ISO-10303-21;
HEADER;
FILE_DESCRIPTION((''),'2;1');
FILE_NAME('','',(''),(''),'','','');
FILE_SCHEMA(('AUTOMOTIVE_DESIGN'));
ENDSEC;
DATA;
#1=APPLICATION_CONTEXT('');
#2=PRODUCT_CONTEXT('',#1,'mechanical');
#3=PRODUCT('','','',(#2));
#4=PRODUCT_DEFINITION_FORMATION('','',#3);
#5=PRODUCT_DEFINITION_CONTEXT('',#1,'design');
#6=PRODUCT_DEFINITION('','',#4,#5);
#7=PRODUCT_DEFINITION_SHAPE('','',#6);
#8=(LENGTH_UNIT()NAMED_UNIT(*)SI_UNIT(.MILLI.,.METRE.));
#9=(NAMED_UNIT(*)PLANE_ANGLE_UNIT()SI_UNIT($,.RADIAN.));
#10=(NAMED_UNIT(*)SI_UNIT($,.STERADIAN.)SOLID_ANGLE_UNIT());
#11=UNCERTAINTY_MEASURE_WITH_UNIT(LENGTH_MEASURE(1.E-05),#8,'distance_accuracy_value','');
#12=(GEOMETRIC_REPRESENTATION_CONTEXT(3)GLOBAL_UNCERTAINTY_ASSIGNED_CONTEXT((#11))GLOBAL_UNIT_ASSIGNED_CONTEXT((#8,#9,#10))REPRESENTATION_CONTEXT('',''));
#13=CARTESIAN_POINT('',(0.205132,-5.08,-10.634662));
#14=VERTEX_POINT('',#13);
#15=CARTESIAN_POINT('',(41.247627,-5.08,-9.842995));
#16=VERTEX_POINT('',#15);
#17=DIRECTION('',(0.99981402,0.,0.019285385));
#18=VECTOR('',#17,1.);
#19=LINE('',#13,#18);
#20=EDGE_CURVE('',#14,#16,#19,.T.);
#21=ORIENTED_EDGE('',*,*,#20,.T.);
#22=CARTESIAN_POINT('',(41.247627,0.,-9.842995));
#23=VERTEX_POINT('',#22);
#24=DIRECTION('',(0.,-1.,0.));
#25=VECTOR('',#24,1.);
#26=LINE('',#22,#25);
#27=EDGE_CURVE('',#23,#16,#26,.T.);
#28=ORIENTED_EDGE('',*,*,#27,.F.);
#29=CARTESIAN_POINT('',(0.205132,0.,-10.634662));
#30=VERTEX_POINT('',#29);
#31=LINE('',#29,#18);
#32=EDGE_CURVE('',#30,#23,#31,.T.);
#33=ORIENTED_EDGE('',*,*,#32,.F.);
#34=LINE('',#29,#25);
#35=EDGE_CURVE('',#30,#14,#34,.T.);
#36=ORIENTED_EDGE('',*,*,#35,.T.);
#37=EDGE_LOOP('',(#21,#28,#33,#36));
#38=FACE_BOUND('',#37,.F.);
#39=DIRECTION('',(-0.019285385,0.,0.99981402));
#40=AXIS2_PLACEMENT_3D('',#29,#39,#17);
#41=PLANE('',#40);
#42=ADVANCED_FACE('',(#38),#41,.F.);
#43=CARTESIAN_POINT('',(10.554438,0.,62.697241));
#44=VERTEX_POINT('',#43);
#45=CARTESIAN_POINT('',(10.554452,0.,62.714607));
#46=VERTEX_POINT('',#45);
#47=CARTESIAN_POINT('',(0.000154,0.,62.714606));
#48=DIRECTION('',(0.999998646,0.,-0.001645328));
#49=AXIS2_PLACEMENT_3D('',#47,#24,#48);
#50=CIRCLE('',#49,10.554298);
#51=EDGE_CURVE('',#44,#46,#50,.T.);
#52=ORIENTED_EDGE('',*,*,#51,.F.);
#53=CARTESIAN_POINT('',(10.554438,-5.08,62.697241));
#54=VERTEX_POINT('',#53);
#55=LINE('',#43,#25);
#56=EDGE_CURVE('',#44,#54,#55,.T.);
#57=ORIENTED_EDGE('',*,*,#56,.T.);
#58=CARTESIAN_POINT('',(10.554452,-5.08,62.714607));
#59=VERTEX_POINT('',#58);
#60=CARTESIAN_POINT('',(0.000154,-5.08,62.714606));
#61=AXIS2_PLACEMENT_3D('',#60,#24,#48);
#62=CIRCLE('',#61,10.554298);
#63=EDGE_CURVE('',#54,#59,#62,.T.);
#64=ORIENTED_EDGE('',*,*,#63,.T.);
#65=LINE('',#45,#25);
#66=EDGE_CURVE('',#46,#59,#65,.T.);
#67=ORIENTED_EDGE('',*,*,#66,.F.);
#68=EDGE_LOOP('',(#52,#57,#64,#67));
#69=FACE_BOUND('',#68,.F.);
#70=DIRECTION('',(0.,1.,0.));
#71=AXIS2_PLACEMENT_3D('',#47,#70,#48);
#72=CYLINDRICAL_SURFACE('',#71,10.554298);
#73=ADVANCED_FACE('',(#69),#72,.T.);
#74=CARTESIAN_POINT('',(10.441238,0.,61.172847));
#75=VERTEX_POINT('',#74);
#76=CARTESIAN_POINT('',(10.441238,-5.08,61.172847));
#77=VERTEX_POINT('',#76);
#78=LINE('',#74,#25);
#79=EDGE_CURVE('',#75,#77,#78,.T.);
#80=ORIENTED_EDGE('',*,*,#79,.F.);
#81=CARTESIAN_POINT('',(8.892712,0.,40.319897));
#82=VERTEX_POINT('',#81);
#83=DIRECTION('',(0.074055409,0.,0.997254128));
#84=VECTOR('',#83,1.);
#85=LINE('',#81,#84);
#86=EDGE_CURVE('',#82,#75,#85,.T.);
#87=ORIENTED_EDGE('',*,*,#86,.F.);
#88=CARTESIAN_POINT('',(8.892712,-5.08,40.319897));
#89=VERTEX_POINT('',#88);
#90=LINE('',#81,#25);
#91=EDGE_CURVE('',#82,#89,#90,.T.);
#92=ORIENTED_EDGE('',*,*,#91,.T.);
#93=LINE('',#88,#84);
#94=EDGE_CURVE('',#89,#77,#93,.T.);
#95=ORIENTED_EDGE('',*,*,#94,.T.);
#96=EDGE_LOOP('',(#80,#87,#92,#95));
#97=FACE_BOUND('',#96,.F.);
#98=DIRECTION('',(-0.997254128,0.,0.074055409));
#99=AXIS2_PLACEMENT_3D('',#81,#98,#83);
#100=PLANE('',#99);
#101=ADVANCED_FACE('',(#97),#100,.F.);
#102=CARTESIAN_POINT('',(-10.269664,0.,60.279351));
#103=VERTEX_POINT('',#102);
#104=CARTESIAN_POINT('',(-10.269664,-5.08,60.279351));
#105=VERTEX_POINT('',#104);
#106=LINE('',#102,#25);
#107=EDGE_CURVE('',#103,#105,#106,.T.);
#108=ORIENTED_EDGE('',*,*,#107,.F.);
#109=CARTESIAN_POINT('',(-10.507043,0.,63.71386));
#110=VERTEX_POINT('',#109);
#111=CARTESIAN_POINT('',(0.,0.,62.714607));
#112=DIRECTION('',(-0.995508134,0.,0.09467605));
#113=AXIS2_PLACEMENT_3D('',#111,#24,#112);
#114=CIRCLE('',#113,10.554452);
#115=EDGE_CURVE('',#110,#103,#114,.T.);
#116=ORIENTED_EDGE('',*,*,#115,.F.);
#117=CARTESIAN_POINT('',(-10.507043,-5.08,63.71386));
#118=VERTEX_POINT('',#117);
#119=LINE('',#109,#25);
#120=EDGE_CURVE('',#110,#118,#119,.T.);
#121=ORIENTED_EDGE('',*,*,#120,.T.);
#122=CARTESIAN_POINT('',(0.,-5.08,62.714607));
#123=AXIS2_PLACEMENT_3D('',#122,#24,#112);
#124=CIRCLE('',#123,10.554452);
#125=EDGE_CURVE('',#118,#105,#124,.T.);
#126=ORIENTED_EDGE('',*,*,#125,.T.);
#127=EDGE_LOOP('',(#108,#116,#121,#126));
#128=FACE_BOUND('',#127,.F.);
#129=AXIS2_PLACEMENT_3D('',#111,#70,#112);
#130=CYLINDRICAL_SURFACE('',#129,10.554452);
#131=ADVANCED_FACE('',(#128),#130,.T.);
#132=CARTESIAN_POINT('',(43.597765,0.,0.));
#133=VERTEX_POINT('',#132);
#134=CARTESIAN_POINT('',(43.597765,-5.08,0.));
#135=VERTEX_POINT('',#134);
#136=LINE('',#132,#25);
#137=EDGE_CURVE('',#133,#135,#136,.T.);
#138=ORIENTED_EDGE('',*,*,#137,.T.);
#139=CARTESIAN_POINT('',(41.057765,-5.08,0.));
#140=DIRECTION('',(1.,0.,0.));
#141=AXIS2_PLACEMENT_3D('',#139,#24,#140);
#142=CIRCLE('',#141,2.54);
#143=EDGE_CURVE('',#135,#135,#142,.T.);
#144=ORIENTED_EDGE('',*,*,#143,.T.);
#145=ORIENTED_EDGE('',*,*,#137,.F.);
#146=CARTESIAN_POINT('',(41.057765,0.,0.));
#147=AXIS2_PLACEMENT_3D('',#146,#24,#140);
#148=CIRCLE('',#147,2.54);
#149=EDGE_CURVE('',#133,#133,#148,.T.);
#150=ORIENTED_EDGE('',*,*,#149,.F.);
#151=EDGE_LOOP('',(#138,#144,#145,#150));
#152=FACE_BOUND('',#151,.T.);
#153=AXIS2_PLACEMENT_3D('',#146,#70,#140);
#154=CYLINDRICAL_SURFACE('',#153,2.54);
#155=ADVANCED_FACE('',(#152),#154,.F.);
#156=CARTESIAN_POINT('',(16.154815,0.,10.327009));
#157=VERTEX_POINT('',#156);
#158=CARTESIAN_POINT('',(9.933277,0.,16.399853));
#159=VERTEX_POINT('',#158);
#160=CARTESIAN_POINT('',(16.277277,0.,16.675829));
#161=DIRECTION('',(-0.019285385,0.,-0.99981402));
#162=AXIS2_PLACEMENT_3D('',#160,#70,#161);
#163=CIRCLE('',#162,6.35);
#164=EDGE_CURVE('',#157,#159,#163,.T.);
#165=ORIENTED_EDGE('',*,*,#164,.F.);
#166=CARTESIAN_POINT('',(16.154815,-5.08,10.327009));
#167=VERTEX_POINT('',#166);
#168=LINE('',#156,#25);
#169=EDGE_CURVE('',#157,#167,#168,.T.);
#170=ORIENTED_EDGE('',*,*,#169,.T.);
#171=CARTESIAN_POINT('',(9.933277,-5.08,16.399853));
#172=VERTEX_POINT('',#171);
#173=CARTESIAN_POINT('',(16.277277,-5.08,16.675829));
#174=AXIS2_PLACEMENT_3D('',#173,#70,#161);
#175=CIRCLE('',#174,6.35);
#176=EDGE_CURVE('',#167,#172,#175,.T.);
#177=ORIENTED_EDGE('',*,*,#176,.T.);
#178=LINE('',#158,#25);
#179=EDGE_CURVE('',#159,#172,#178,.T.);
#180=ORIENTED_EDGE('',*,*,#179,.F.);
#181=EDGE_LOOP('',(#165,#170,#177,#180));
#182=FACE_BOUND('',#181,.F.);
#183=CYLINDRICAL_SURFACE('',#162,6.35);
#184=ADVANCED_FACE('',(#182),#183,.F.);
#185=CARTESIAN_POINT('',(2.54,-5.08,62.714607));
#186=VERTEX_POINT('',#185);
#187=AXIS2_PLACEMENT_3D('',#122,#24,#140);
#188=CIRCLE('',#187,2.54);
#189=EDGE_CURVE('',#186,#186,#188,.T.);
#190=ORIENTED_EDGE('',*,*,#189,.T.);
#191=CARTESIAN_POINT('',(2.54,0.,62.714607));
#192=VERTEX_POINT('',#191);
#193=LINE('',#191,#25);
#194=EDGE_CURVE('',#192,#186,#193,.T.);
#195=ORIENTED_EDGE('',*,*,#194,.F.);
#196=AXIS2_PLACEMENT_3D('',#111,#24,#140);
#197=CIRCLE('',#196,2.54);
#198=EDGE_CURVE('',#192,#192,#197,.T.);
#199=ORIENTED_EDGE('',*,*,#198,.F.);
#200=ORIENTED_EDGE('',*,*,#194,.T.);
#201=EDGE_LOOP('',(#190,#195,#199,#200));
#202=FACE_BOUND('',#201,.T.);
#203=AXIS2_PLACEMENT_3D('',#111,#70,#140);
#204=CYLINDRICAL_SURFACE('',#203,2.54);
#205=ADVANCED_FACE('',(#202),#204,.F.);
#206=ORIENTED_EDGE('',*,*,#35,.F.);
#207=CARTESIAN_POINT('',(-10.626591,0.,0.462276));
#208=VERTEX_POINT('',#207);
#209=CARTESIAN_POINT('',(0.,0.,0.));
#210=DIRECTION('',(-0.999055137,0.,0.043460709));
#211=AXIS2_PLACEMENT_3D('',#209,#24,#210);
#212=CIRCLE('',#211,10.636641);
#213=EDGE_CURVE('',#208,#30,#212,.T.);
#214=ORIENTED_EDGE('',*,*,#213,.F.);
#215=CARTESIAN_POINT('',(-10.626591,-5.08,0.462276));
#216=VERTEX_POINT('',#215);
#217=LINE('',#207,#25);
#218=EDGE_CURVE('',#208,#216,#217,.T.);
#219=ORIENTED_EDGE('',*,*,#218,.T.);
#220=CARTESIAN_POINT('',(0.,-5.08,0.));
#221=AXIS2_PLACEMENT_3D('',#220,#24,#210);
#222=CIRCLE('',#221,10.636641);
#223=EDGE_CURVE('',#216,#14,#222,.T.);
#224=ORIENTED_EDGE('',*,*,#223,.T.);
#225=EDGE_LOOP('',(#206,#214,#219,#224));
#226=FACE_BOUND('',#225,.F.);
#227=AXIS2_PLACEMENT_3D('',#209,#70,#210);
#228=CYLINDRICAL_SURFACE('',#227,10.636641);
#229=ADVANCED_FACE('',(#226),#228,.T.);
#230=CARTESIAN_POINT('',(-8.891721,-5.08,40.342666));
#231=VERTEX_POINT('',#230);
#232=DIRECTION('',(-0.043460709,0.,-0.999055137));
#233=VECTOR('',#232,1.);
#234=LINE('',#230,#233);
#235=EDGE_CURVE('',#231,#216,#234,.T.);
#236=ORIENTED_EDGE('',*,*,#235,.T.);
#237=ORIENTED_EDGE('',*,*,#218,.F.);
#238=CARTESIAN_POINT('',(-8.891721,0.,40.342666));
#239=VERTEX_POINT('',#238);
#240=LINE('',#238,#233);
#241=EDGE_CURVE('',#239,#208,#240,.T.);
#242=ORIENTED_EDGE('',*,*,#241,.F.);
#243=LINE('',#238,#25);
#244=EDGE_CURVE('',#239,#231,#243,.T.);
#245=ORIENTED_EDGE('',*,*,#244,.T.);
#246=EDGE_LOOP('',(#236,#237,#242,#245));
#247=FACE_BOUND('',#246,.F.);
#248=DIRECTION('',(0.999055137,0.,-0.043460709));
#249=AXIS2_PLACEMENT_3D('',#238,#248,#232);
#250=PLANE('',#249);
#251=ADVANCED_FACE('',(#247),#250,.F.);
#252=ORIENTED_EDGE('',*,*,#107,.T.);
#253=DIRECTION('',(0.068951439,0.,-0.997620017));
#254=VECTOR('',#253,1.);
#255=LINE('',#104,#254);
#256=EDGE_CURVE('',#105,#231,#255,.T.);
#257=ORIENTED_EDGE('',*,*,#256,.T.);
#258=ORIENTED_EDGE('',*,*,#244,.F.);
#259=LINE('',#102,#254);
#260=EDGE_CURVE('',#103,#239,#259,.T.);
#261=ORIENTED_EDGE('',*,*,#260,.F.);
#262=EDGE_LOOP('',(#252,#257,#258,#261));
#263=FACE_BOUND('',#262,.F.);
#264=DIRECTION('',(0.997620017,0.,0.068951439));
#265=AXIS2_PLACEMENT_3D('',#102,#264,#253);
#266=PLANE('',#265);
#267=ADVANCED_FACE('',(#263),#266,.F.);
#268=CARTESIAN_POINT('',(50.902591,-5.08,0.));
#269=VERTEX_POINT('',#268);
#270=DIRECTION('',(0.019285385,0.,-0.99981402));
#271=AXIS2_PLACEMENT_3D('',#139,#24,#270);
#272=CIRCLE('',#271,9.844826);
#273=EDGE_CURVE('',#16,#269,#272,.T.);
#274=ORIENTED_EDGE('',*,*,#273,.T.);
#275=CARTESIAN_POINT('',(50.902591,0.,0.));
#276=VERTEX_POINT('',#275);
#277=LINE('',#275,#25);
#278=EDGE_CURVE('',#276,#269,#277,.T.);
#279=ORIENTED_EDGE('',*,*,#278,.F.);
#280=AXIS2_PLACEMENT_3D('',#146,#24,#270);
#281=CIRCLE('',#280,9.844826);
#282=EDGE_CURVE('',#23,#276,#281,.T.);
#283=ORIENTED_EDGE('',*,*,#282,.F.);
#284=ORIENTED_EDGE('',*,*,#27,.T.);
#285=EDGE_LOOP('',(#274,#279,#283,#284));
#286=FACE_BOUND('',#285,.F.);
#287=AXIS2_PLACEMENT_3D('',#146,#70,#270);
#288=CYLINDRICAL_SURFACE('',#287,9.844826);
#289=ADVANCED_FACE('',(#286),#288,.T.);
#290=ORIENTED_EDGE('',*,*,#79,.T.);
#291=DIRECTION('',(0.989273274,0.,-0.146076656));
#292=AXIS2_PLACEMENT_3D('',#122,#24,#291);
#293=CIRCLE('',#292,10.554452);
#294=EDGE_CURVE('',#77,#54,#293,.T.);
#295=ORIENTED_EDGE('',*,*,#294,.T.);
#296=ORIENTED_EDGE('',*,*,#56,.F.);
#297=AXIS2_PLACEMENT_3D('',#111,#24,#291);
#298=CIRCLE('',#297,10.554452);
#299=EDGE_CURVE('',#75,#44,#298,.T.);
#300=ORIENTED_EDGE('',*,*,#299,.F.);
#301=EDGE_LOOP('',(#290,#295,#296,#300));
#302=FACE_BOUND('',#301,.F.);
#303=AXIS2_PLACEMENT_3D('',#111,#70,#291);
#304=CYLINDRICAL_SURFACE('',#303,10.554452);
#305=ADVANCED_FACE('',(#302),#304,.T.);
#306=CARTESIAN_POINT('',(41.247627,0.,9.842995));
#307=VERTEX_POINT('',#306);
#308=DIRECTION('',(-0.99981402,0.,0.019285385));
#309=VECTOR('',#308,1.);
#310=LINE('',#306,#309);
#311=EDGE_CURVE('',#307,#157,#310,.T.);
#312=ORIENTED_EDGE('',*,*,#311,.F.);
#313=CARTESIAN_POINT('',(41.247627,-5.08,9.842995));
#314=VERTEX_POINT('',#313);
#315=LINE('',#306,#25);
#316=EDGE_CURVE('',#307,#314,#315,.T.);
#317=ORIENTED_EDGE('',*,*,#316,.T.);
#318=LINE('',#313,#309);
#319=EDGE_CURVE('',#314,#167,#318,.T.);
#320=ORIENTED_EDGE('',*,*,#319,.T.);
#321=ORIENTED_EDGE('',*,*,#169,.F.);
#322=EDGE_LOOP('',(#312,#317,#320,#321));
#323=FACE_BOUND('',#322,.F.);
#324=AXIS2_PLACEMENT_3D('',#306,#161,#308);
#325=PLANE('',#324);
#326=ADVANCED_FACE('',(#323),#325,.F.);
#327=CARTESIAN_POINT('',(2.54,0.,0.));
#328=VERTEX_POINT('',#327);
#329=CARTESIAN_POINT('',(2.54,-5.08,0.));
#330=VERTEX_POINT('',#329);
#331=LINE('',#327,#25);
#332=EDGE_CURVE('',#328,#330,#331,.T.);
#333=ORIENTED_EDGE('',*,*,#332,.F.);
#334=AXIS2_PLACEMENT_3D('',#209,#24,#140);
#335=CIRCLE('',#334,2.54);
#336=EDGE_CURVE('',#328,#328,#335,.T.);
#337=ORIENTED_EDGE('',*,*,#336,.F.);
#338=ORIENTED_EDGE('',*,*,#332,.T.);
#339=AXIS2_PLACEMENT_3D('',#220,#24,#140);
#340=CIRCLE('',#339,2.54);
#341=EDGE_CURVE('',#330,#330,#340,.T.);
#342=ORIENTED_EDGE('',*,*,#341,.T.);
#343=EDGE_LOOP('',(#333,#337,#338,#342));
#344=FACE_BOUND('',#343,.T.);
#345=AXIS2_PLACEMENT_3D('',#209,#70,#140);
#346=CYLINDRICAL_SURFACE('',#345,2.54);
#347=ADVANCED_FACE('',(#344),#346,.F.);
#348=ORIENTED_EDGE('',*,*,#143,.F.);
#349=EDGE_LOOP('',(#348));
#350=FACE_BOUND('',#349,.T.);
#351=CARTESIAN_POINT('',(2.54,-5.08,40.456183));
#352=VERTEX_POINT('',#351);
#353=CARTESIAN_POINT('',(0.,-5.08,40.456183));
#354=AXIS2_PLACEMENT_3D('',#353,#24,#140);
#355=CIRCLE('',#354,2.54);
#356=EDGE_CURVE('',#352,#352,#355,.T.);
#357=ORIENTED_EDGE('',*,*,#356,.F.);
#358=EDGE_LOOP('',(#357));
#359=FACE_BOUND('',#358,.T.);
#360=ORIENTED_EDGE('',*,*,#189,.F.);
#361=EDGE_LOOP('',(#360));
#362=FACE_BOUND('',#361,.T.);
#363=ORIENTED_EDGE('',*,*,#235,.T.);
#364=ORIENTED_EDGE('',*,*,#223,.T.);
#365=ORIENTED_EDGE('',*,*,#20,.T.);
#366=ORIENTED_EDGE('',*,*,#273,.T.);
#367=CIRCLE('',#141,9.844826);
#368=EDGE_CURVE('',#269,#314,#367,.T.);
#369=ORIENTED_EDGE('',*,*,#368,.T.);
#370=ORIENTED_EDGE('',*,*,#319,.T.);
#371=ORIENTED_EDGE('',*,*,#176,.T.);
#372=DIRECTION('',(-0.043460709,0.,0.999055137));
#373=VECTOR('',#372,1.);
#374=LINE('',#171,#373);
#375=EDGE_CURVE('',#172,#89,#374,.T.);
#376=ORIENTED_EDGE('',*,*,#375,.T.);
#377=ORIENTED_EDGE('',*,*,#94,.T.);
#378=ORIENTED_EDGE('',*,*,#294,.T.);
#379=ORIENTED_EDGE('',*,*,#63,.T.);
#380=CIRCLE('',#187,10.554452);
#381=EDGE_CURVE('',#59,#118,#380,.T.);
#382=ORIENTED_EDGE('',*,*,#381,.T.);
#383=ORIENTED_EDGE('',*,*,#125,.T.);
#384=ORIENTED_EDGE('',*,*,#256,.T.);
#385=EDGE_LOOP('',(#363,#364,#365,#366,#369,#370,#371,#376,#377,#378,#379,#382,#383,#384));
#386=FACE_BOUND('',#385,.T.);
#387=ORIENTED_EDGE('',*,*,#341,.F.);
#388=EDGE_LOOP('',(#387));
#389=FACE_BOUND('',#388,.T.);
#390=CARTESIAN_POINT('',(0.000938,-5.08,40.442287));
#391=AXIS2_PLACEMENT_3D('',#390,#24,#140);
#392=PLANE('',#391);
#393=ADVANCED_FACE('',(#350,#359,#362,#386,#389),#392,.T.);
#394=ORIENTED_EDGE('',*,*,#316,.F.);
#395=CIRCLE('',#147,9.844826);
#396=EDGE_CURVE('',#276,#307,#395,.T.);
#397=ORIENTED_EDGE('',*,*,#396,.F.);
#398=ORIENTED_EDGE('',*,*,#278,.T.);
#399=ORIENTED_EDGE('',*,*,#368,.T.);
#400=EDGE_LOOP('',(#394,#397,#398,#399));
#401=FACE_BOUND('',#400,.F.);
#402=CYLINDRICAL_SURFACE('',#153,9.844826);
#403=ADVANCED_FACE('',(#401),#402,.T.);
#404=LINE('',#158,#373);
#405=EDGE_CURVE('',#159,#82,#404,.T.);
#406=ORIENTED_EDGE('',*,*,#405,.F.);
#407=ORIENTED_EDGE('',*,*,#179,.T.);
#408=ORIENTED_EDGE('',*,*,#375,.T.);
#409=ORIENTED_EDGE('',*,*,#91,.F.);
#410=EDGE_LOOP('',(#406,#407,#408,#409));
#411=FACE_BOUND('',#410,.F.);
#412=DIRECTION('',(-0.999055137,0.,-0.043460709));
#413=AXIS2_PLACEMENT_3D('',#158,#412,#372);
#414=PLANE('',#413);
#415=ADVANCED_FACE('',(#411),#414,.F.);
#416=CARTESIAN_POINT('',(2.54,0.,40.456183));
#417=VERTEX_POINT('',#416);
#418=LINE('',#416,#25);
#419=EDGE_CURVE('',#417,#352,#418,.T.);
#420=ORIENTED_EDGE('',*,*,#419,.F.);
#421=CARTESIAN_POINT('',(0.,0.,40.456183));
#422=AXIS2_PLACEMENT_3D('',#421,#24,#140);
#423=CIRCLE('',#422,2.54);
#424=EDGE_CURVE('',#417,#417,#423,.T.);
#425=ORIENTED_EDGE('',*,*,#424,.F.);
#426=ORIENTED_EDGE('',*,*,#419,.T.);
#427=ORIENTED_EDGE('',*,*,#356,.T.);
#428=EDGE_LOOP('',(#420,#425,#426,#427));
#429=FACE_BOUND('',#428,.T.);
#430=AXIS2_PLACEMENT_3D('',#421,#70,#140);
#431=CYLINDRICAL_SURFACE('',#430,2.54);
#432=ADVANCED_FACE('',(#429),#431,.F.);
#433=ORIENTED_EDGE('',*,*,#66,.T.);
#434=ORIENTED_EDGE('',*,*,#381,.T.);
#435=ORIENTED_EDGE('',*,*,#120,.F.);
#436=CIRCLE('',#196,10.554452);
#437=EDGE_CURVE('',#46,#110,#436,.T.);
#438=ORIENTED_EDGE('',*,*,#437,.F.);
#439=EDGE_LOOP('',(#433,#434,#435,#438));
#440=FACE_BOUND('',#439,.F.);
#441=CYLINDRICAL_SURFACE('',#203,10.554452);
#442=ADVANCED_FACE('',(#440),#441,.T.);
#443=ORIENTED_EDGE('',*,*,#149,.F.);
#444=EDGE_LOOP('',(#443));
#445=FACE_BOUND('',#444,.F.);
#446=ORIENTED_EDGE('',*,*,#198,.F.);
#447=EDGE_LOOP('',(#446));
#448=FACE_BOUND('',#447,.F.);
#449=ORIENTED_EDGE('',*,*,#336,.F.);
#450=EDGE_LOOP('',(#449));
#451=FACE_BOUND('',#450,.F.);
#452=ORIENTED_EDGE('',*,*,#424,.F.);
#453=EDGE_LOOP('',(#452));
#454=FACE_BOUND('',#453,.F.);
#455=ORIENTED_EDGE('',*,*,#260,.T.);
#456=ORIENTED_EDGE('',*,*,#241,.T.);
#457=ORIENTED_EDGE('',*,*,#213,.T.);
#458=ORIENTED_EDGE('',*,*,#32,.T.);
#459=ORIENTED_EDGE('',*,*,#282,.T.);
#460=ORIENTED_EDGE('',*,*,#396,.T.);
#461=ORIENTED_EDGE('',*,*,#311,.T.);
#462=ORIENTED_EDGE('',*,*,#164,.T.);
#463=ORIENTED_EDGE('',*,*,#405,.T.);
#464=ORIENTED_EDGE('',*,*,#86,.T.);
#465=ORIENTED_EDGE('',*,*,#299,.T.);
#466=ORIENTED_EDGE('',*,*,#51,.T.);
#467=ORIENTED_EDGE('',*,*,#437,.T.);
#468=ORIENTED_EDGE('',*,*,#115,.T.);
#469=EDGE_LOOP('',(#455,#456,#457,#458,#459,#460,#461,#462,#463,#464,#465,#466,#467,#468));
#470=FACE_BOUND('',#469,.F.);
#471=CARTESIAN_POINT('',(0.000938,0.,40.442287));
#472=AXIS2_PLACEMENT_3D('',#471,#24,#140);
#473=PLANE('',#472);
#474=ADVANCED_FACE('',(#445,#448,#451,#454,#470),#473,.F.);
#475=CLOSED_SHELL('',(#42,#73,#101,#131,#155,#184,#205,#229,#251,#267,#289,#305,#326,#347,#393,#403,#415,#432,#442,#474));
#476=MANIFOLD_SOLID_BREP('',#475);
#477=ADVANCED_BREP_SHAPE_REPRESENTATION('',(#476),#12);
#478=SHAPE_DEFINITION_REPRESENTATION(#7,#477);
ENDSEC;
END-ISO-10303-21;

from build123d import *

# Parameters (mm, degrees)
F0_R     = 2.54
F1_DEPTH = 5.08


with BuildPart() as f1:
    # F0 (on Front) → F1 (new body)
    with BuildSketch(Plane.XZ):
        with BuildLine():
            ThreePointArc((-8.8699974055, 40.8420442188), (-8.8776628273, 40.3428457899), (-8.8572558594, 39.8440057497))
            ThreePointArc((-8.8572558594, 39.8440057497), (-0.0227156553, 31.5778260499), (8.8540073545, 39.7986907278))
            ThreePointArc((8.8540073545, 39.7986907278), (8.8722894434, 40.1272110849), (8.8783862642, 40.4561832547))
            ThreePointArc((8.8783862642, 40.4561832547), (8.8762888018, 40.6491593261), (8.8699974055, 40.8420442188))
            ThreePointArc((8.8699974055, 40.8420442188), (0, 49.3345695189), (-8.8699974055, 40.8420442188))
        make_face()
        with Locations((0, 40.4561832547)):
            Circle(F0_R, mode=Mode.SUBTRACT)
        with BuildLine():
            ThreePointArc((41.2476267407, 9.8429949245), (31.2129396154, 0), (41.2476267407, -9.8429949245))
            ThreePointArc((41.2476267407, -9.8429949245), (48.0859141517, -6.8938902431), (50.9025913523, 0))
            ThreePointArc((50.9025913523, 0), (48.0859141517, 6.8938902431), (41.2476267407, 9.8429949245))
        make_face()
        with Locations((41.0577654839, 0)):
            Circle(F0_R, mode=Mode.SUBTRACT)
        with BuildLine():
            ThreePointArc((-10.6265905137, 0.4622759481), (0.2311925918, 10.6341278431), (10.636640682, 0))
            ThreePointArc((10.636640682, 0), (7.5934194305, -7.4483626624), (0.2051317104, -10.6346624761))
            Line((0.2051317104, -10.6346624761), (41.2476267407, -9.8429949245))
            ThreePointArc((41.2476267407, -9.8429949245), (31.2129396154, 0), (41.2476267407, 9.8429949245))
            Line((41.2476267407, 9.8429949245), (16.1548149504, 10.3270094771))
            ThreePointArc((16.1548149504, 10.3270094771), (11.8417793348, 12.1317269213), (9.9332770251, 16.3998529983))
            Line((9.9332770251, 16.3998529983), (8.8927117632, 40.3198968326))
            Line((8.8927117632, 40.3198968326), (8.8540073545, 39.7986907278))
            ThreePointArc((8.8540073545, 39.7986907278), (-0.0227156553, 31.5778260499), (-8.8572558594, 39.8440057497))
            Line((-8.8572558594, 39.8440057497), (-8.8917212495, 40.3426663118))
            Line((-8.8917212495, 40.3426663118), (-10.6265905137, 0.4622759481))
        make_face()
        with BuildLine():
            Line((-10.5070431396, 63.713860382), (-10.2696638302, 60.2793511722))
            ThreePointArc((-10.2696638302, 60.2793511722), (0.4549101859, 52.16996236), (10.4412376032, 61.1728474226))
            Line((10.4412376032, 61.1728474226), (10.5544380359, 62.6972411199))
            ThreePointArc((10.5544380359, 62.6972411199), (10.5544487503, 62.7059238188), (10.5544523217, 62.7146065235))
            ThreePointArc((10.5544523217, 62.7146065235), (0.5001889404, 73.2571998874), (-10.5070431396, 63.713860382))
        make_face()
        with Locations((0, 62.7146065235)):
            Circle(F0_R, mode=Mode.SUBTRACT)
        with BuildLine():
            ThreePointArc((0.2051317104, -10.6346624761), (7.5934194305, -7.4483626624), (10.636640682, 0))
            ThreePointArc((10.636640682, 0), (0.2311925918, 10.6341278431), (-10.6265905137, 0.4622759481))
            ThreePointArc((-10.6265905137, 0.4622759481), (-7.6116497223, -7.4297317249), (0.2051317104, -10.6346624761))
        make_face()
        Circle(F0_R, mode=Mode.SUBTRACT)
        with BuildLine():
            Line((-10.2696638302, 60.2793511722), (-8.8917212495, 40.3426663118))
            Line((-8.8917212495, 40.3426663118), (-8.8699974055, 40.8420442188))
            ThreePointArc((-8.8699974055, 40.8420442188), (0, 49.3345695189), (8.8699974055, 40.8420442188))
            Line((8.8699974055, 40.8420442188), (8.8927117632, 40.3198968326))
            Line((8.8927117632, 40.3198968326), (10.4412376032, 61.1728474226))
            ThreePointArc((10.4412376032, 61.1728474226), (0.4549101859, 52.16996236), (-10.2696638302, 60.2793511722))
        make_face()
        with BuildLine():
            ThreePointArc((-10.5070431396, 63.713860382), (-10.5293329089, 61.9868618527), (-10.2696638302, 60.2793511722))
            Line((-10.2696638302, 60.2793511722), (-10.5070431396, 63.713860382))
        make_face()
        with BuildLine():
            ThreePointArc((8.8783862642, 40.4561832547), (8.8722894434, 40.1272110849), (8.8540073545, 39.7986907278))
            Line((8.8540073545, 39.7986907278), (8.8927117632, 40.3198968326))
            Line((8.8927117632, 40.3198968326), (8.8699974055, 40.8420442188))
            ThreePointArc((8.8699974055, 40.8420442188), (8.8762888018, 40.6491593261), (8.8783862642, 40.4561832547))
        make_face()
        with BuildLine():
            Line((10.5544380359, 62.6972411199), (10.4412376032, 61.1728474226))
            ThreePointArc((10.4412376032, 61.1728474226), (10.5254711496, 61.9329922391), (10.5544380359, 62.6972411199))
        make_face()
        with BuildLine():
            Line((-8.8699974055, 40.8420442188), (-8.8917212495, 40.3426663118))
            Line((-8.8917212495, 40.3426663118), (-8.8572558594, 39.8440057497))
            ThreePointArc((-8.8572558594, 39.8440057497), (-8.8776628273, 40.3428457899), (-8.8699974055, 40.8420442188))
        make_face()
    extrude(amount=F1_DEPTH)


solid = f1.part
